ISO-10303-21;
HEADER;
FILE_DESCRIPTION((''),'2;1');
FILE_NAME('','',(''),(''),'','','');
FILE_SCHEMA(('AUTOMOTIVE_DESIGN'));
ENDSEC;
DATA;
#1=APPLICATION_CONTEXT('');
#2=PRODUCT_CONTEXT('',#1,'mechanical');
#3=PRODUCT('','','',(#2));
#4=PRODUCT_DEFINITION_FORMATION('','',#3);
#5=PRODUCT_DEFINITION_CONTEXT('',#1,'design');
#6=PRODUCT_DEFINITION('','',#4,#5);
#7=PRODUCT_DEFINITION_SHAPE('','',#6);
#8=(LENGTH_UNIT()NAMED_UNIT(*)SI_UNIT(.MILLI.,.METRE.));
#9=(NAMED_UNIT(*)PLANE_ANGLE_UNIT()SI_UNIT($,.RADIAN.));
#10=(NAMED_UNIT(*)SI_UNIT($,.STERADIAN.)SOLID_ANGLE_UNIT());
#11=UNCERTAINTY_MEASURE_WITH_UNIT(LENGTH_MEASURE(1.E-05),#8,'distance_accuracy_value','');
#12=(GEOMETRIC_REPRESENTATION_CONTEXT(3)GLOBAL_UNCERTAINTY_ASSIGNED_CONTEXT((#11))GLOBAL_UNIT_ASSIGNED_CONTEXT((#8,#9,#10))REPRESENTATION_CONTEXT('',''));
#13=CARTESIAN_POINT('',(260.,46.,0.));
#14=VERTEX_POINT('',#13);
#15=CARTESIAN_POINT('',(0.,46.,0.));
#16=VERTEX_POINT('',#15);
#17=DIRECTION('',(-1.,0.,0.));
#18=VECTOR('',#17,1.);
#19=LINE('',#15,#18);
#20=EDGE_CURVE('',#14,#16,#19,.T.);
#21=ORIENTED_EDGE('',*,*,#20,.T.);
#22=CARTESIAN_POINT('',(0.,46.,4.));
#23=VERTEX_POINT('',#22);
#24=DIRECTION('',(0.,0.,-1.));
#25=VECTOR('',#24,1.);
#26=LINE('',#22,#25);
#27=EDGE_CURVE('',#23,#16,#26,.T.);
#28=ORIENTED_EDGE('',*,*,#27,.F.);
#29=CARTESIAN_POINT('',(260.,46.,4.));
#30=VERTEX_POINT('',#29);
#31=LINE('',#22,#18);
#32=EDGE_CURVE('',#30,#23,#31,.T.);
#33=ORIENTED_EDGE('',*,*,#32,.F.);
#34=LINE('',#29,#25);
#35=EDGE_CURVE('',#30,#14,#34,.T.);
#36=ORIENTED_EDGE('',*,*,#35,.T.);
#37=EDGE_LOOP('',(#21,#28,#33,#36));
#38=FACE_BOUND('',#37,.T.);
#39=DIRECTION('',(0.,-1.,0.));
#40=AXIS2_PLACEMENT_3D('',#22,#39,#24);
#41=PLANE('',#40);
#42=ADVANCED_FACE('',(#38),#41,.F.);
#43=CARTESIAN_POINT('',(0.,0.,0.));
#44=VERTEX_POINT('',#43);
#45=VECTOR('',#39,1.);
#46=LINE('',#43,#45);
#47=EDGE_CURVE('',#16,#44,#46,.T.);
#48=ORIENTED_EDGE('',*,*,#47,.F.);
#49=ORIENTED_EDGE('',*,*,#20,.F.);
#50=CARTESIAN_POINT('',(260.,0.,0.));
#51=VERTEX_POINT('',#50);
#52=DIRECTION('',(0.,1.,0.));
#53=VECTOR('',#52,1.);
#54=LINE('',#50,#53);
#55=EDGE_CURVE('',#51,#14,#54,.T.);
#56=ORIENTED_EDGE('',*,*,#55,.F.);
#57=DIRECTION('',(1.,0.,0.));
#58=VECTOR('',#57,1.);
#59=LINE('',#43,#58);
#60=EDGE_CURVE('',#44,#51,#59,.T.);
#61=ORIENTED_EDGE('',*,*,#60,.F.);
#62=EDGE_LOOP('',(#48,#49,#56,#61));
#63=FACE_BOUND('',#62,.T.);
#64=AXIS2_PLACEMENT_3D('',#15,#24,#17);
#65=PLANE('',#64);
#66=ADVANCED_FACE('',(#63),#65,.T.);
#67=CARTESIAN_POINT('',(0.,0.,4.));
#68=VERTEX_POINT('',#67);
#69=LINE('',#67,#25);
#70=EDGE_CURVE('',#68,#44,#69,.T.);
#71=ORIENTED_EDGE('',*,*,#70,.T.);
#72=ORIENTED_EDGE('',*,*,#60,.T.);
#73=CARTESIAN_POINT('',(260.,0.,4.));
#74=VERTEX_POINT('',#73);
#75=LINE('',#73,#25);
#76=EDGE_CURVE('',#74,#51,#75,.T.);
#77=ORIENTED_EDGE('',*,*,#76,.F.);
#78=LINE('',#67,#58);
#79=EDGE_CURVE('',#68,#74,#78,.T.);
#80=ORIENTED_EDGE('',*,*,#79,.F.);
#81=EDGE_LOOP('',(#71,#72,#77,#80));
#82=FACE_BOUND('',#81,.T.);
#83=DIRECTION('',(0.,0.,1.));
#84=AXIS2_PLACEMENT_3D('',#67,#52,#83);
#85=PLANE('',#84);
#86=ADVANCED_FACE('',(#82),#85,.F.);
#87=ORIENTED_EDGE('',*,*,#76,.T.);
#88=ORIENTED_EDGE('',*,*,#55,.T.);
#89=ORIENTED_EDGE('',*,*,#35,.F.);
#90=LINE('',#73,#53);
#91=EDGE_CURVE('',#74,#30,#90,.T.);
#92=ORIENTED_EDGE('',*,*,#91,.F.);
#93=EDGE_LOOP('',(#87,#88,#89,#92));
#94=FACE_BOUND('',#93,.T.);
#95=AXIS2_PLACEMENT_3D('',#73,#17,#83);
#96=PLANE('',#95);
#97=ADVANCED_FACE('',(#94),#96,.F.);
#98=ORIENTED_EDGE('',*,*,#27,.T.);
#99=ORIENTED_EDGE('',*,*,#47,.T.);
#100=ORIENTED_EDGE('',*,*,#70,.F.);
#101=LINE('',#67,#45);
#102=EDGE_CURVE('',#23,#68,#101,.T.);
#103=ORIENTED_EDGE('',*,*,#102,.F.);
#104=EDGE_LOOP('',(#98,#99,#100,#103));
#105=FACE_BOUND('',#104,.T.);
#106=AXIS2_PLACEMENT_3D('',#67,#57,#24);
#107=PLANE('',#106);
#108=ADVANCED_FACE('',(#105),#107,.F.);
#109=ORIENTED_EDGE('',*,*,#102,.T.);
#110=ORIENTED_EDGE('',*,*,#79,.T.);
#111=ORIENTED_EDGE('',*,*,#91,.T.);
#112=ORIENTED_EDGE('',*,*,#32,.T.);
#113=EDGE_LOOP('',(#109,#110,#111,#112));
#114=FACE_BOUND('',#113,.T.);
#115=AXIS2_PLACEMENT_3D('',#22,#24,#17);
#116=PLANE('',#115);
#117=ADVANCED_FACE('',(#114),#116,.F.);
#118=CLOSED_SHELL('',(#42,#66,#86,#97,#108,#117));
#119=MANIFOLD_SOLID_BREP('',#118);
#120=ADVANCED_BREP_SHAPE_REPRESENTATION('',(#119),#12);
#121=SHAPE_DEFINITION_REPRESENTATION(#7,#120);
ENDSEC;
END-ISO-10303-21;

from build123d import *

# Parameters (mm, degrees)
SKETCH_1_W      = 260
SKETCH_1_H      = 46
EXTRUDE_1_DEPTH = 4


with BuildPart() as part:
    # Эскиз1 → Вытянуть1 (new body)
    with BuildSketch(Plane.XY):
        with Locations((130, 23)):
            Rectangle(SKETCH_1_W, SKETCH_1_H)
    extrude(amount=EXTRUDE_1_DEPTH)


solid = part.part
